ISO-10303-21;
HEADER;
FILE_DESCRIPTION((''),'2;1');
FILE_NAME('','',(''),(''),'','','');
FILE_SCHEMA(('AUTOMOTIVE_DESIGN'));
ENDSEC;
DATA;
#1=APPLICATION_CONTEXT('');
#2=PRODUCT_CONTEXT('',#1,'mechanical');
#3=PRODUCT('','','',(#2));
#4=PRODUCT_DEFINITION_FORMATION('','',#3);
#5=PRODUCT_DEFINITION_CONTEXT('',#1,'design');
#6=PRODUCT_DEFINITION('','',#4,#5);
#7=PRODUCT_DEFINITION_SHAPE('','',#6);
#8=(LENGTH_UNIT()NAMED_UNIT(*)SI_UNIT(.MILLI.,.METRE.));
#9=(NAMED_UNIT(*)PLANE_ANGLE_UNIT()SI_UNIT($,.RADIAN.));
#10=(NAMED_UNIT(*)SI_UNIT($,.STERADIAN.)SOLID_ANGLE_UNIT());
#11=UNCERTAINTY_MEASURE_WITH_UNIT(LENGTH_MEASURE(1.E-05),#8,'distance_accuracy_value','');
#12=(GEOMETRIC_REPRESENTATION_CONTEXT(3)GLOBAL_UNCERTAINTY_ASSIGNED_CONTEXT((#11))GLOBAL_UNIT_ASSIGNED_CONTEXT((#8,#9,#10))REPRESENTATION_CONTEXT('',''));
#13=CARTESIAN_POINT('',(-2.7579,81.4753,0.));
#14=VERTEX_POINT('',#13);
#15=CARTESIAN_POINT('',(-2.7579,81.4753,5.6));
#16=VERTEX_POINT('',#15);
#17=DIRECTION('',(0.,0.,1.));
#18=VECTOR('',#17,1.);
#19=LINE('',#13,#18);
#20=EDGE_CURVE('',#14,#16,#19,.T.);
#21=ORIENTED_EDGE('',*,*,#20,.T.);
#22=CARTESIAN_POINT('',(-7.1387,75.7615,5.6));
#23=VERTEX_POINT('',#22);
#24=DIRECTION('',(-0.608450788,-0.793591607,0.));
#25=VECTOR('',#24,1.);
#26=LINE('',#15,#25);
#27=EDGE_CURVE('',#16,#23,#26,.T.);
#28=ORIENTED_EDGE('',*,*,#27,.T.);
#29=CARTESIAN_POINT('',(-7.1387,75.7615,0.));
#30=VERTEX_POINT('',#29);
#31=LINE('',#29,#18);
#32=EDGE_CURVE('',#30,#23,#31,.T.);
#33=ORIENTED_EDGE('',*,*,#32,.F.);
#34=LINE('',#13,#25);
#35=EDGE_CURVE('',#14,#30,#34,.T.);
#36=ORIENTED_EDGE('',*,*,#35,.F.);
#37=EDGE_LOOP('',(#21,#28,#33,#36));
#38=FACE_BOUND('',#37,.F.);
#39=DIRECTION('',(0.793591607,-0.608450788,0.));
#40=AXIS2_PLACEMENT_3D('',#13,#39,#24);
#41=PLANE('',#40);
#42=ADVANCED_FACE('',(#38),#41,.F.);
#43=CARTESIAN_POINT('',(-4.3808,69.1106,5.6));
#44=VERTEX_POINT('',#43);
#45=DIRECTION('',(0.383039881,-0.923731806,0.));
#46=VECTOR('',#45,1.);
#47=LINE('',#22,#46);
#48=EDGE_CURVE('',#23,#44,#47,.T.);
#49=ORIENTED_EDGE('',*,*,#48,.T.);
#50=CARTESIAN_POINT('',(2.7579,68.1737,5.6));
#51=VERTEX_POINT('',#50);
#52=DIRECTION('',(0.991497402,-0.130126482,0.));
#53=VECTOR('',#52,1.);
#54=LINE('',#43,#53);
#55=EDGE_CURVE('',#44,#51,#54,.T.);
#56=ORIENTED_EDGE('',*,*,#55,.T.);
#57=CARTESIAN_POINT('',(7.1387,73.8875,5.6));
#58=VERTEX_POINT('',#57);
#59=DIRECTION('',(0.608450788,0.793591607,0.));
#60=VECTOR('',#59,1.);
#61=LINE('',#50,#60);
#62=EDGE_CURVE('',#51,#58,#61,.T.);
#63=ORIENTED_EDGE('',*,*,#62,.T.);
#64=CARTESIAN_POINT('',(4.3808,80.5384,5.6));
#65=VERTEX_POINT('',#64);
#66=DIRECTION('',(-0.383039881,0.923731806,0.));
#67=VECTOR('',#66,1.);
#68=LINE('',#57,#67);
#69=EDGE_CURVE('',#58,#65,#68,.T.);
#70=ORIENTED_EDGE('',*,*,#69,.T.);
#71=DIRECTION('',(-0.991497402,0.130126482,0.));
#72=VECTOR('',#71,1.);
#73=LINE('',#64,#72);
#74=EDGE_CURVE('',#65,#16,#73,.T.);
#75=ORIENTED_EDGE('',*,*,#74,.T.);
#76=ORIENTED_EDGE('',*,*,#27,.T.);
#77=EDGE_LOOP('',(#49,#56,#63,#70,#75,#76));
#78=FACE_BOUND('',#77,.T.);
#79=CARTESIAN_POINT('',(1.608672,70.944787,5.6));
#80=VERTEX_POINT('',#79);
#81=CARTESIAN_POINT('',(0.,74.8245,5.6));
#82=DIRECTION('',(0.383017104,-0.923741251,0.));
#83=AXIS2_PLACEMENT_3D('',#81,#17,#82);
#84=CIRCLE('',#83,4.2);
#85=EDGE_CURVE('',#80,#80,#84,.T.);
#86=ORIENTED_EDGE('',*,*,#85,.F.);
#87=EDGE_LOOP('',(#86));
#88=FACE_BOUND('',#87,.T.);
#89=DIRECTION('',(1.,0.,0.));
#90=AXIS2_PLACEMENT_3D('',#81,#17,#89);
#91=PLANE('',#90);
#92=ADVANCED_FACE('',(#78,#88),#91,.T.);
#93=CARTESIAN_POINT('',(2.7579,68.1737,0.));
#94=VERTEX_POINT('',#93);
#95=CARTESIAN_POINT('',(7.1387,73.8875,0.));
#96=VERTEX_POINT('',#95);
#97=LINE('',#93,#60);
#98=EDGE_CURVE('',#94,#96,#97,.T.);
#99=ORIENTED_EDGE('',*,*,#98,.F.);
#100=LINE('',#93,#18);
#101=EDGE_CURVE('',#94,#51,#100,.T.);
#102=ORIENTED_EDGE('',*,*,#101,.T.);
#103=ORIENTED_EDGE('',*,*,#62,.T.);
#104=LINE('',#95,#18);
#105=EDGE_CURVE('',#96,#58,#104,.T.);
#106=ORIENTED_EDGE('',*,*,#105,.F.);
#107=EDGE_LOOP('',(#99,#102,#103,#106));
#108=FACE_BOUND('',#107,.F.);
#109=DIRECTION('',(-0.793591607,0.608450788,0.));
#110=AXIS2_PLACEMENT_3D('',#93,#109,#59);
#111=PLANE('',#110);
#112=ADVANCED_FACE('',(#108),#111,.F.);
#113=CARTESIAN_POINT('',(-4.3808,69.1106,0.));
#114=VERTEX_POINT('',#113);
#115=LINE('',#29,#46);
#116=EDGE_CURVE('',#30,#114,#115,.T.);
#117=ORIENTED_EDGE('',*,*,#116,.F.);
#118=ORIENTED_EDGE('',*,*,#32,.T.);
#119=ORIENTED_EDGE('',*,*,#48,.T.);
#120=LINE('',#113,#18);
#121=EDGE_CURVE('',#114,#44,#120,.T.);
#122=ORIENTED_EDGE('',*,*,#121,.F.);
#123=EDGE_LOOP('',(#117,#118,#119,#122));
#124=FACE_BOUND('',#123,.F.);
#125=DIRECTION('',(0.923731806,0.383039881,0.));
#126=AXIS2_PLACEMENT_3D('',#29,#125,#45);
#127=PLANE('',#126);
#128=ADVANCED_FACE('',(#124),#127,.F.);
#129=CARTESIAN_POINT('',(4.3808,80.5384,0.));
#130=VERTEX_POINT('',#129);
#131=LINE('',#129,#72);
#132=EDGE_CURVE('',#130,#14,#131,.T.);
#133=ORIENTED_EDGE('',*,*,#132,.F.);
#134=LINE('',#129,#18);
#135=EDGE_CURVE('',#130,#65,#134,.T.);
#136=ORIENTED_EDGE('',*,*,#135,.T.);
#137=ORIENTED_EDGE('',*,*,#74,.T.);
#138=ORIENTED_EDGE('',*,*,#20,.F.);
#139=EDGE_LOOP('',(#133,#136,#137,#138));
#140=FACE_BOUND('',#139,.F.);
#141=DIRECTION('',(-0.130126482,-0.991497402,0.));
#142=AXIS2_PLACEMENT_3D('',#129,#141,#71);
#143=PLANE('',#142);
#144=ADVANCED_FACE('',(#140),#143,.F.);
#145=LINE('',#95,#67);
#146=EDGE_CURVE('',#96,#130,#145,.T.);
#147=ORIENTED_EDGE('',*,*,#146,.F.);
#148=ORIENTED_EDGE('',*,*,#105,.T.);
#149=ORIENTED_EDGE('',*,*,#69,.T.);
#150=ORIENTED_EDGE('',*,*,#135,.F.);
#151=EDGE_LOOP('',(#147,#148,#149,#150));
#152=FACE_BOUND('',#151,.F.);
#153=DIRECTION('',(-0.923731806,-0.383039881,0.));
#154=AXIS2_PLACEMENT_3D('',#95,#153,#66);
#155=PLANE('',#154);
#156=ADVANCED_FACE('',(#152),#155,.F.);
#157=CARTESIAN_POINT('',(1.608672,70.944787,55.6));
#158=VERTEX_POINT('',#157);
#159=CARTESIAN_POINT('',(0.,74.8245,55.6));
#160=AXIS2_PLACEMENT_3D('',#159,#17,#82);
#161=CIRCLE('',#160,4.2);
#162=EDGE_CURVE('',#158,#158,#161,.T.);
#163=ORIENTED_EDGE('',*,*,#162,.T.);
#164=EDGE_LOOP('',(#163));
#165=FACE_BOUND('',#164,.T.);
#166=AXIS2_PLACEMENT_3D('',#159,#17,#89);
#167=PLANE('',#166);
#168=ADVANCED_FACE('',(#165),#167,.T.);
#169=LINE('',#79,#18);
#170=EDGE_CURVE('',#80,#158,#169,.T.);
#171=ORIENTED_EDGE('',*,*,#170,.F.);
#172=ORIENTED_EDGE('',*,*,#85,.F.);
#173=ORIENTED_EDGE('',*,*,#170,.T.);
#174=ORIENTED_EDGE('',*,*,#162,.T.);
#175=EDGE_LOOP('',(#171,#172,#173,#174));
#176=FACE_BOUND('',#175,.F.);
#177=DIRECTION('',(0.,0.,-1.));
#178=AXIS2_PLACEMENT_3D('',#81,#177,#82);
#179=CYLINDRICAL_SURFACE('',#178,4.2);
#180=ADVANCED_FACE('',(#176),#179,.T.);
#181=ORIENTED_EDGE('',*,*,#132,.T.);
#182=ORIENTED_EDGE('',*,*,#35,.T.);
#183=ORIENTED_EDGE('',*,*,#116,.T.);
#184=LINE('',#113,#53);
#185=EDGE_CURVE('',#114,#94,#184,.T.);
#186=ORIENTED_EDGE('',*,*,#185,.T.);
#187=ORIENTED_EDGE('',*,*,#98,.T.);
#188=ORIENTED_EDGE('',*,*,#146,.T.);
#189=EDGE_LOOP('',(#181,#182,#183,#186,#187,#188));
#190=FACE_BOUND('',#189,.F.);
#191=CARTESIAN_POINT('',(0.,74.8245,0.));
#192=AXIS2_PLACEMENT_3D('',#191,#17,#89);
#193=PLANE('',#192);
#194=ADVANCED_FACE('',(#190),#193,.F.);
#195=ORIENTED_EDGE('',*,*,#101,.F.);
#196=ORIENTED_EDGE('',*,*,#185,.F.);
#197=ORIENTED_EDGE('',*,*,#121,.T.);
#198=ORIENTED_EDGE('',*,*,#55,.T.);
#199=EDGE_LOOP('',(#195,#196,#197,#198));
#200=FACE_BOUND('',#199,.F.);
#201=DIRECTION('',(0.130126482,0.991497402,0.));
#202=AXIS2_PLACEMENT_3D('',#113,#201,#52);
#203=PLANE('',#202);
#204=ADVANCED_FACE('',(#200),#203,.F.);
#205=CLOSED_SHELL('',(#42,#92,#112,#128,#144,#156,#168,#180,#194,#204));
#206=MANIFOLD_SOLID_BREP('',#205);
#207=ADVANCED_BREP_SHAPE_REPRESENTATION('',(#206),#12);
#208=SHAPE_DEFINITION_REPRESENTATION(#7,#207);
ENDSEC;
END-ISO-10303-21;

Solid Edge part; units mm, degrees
sketch "Sketch1" plane through (0, 0, 0) normal (0, 0, 1) x (1, 0, 0)
  line L0 (-2.7579, 81.4753) -> (-7.1387, 75.7615)
  line L1 (-7.1387, 75.7615) -> (-4.3808, 69.1106)
  line L2 (-4.3808, 69.1106) -> (2.7579, 68.1737)
  line L3 (2.7579, 68.1737) -> (7.1387, 73.8875)
  line L4 (7.1387, 73.8875) -> (4.3808, 80.5384)
  line L5 (4.3808, 80.5384) -> (-2.7579, 81.4753)
extrude "Protrusion1" add sketch "Sketch1" along normal up to vertex (5.6 mm away)
sketch "Sketch2" plane through (0, 74.8245, 5.6) normal (0, 0, 1) x (0.383, -0.9237, 0)
  circle A0 centre (0, 0) radius 4.2
extrude "Protrusion2" add sketch "Sketch2" along normal blind 50
